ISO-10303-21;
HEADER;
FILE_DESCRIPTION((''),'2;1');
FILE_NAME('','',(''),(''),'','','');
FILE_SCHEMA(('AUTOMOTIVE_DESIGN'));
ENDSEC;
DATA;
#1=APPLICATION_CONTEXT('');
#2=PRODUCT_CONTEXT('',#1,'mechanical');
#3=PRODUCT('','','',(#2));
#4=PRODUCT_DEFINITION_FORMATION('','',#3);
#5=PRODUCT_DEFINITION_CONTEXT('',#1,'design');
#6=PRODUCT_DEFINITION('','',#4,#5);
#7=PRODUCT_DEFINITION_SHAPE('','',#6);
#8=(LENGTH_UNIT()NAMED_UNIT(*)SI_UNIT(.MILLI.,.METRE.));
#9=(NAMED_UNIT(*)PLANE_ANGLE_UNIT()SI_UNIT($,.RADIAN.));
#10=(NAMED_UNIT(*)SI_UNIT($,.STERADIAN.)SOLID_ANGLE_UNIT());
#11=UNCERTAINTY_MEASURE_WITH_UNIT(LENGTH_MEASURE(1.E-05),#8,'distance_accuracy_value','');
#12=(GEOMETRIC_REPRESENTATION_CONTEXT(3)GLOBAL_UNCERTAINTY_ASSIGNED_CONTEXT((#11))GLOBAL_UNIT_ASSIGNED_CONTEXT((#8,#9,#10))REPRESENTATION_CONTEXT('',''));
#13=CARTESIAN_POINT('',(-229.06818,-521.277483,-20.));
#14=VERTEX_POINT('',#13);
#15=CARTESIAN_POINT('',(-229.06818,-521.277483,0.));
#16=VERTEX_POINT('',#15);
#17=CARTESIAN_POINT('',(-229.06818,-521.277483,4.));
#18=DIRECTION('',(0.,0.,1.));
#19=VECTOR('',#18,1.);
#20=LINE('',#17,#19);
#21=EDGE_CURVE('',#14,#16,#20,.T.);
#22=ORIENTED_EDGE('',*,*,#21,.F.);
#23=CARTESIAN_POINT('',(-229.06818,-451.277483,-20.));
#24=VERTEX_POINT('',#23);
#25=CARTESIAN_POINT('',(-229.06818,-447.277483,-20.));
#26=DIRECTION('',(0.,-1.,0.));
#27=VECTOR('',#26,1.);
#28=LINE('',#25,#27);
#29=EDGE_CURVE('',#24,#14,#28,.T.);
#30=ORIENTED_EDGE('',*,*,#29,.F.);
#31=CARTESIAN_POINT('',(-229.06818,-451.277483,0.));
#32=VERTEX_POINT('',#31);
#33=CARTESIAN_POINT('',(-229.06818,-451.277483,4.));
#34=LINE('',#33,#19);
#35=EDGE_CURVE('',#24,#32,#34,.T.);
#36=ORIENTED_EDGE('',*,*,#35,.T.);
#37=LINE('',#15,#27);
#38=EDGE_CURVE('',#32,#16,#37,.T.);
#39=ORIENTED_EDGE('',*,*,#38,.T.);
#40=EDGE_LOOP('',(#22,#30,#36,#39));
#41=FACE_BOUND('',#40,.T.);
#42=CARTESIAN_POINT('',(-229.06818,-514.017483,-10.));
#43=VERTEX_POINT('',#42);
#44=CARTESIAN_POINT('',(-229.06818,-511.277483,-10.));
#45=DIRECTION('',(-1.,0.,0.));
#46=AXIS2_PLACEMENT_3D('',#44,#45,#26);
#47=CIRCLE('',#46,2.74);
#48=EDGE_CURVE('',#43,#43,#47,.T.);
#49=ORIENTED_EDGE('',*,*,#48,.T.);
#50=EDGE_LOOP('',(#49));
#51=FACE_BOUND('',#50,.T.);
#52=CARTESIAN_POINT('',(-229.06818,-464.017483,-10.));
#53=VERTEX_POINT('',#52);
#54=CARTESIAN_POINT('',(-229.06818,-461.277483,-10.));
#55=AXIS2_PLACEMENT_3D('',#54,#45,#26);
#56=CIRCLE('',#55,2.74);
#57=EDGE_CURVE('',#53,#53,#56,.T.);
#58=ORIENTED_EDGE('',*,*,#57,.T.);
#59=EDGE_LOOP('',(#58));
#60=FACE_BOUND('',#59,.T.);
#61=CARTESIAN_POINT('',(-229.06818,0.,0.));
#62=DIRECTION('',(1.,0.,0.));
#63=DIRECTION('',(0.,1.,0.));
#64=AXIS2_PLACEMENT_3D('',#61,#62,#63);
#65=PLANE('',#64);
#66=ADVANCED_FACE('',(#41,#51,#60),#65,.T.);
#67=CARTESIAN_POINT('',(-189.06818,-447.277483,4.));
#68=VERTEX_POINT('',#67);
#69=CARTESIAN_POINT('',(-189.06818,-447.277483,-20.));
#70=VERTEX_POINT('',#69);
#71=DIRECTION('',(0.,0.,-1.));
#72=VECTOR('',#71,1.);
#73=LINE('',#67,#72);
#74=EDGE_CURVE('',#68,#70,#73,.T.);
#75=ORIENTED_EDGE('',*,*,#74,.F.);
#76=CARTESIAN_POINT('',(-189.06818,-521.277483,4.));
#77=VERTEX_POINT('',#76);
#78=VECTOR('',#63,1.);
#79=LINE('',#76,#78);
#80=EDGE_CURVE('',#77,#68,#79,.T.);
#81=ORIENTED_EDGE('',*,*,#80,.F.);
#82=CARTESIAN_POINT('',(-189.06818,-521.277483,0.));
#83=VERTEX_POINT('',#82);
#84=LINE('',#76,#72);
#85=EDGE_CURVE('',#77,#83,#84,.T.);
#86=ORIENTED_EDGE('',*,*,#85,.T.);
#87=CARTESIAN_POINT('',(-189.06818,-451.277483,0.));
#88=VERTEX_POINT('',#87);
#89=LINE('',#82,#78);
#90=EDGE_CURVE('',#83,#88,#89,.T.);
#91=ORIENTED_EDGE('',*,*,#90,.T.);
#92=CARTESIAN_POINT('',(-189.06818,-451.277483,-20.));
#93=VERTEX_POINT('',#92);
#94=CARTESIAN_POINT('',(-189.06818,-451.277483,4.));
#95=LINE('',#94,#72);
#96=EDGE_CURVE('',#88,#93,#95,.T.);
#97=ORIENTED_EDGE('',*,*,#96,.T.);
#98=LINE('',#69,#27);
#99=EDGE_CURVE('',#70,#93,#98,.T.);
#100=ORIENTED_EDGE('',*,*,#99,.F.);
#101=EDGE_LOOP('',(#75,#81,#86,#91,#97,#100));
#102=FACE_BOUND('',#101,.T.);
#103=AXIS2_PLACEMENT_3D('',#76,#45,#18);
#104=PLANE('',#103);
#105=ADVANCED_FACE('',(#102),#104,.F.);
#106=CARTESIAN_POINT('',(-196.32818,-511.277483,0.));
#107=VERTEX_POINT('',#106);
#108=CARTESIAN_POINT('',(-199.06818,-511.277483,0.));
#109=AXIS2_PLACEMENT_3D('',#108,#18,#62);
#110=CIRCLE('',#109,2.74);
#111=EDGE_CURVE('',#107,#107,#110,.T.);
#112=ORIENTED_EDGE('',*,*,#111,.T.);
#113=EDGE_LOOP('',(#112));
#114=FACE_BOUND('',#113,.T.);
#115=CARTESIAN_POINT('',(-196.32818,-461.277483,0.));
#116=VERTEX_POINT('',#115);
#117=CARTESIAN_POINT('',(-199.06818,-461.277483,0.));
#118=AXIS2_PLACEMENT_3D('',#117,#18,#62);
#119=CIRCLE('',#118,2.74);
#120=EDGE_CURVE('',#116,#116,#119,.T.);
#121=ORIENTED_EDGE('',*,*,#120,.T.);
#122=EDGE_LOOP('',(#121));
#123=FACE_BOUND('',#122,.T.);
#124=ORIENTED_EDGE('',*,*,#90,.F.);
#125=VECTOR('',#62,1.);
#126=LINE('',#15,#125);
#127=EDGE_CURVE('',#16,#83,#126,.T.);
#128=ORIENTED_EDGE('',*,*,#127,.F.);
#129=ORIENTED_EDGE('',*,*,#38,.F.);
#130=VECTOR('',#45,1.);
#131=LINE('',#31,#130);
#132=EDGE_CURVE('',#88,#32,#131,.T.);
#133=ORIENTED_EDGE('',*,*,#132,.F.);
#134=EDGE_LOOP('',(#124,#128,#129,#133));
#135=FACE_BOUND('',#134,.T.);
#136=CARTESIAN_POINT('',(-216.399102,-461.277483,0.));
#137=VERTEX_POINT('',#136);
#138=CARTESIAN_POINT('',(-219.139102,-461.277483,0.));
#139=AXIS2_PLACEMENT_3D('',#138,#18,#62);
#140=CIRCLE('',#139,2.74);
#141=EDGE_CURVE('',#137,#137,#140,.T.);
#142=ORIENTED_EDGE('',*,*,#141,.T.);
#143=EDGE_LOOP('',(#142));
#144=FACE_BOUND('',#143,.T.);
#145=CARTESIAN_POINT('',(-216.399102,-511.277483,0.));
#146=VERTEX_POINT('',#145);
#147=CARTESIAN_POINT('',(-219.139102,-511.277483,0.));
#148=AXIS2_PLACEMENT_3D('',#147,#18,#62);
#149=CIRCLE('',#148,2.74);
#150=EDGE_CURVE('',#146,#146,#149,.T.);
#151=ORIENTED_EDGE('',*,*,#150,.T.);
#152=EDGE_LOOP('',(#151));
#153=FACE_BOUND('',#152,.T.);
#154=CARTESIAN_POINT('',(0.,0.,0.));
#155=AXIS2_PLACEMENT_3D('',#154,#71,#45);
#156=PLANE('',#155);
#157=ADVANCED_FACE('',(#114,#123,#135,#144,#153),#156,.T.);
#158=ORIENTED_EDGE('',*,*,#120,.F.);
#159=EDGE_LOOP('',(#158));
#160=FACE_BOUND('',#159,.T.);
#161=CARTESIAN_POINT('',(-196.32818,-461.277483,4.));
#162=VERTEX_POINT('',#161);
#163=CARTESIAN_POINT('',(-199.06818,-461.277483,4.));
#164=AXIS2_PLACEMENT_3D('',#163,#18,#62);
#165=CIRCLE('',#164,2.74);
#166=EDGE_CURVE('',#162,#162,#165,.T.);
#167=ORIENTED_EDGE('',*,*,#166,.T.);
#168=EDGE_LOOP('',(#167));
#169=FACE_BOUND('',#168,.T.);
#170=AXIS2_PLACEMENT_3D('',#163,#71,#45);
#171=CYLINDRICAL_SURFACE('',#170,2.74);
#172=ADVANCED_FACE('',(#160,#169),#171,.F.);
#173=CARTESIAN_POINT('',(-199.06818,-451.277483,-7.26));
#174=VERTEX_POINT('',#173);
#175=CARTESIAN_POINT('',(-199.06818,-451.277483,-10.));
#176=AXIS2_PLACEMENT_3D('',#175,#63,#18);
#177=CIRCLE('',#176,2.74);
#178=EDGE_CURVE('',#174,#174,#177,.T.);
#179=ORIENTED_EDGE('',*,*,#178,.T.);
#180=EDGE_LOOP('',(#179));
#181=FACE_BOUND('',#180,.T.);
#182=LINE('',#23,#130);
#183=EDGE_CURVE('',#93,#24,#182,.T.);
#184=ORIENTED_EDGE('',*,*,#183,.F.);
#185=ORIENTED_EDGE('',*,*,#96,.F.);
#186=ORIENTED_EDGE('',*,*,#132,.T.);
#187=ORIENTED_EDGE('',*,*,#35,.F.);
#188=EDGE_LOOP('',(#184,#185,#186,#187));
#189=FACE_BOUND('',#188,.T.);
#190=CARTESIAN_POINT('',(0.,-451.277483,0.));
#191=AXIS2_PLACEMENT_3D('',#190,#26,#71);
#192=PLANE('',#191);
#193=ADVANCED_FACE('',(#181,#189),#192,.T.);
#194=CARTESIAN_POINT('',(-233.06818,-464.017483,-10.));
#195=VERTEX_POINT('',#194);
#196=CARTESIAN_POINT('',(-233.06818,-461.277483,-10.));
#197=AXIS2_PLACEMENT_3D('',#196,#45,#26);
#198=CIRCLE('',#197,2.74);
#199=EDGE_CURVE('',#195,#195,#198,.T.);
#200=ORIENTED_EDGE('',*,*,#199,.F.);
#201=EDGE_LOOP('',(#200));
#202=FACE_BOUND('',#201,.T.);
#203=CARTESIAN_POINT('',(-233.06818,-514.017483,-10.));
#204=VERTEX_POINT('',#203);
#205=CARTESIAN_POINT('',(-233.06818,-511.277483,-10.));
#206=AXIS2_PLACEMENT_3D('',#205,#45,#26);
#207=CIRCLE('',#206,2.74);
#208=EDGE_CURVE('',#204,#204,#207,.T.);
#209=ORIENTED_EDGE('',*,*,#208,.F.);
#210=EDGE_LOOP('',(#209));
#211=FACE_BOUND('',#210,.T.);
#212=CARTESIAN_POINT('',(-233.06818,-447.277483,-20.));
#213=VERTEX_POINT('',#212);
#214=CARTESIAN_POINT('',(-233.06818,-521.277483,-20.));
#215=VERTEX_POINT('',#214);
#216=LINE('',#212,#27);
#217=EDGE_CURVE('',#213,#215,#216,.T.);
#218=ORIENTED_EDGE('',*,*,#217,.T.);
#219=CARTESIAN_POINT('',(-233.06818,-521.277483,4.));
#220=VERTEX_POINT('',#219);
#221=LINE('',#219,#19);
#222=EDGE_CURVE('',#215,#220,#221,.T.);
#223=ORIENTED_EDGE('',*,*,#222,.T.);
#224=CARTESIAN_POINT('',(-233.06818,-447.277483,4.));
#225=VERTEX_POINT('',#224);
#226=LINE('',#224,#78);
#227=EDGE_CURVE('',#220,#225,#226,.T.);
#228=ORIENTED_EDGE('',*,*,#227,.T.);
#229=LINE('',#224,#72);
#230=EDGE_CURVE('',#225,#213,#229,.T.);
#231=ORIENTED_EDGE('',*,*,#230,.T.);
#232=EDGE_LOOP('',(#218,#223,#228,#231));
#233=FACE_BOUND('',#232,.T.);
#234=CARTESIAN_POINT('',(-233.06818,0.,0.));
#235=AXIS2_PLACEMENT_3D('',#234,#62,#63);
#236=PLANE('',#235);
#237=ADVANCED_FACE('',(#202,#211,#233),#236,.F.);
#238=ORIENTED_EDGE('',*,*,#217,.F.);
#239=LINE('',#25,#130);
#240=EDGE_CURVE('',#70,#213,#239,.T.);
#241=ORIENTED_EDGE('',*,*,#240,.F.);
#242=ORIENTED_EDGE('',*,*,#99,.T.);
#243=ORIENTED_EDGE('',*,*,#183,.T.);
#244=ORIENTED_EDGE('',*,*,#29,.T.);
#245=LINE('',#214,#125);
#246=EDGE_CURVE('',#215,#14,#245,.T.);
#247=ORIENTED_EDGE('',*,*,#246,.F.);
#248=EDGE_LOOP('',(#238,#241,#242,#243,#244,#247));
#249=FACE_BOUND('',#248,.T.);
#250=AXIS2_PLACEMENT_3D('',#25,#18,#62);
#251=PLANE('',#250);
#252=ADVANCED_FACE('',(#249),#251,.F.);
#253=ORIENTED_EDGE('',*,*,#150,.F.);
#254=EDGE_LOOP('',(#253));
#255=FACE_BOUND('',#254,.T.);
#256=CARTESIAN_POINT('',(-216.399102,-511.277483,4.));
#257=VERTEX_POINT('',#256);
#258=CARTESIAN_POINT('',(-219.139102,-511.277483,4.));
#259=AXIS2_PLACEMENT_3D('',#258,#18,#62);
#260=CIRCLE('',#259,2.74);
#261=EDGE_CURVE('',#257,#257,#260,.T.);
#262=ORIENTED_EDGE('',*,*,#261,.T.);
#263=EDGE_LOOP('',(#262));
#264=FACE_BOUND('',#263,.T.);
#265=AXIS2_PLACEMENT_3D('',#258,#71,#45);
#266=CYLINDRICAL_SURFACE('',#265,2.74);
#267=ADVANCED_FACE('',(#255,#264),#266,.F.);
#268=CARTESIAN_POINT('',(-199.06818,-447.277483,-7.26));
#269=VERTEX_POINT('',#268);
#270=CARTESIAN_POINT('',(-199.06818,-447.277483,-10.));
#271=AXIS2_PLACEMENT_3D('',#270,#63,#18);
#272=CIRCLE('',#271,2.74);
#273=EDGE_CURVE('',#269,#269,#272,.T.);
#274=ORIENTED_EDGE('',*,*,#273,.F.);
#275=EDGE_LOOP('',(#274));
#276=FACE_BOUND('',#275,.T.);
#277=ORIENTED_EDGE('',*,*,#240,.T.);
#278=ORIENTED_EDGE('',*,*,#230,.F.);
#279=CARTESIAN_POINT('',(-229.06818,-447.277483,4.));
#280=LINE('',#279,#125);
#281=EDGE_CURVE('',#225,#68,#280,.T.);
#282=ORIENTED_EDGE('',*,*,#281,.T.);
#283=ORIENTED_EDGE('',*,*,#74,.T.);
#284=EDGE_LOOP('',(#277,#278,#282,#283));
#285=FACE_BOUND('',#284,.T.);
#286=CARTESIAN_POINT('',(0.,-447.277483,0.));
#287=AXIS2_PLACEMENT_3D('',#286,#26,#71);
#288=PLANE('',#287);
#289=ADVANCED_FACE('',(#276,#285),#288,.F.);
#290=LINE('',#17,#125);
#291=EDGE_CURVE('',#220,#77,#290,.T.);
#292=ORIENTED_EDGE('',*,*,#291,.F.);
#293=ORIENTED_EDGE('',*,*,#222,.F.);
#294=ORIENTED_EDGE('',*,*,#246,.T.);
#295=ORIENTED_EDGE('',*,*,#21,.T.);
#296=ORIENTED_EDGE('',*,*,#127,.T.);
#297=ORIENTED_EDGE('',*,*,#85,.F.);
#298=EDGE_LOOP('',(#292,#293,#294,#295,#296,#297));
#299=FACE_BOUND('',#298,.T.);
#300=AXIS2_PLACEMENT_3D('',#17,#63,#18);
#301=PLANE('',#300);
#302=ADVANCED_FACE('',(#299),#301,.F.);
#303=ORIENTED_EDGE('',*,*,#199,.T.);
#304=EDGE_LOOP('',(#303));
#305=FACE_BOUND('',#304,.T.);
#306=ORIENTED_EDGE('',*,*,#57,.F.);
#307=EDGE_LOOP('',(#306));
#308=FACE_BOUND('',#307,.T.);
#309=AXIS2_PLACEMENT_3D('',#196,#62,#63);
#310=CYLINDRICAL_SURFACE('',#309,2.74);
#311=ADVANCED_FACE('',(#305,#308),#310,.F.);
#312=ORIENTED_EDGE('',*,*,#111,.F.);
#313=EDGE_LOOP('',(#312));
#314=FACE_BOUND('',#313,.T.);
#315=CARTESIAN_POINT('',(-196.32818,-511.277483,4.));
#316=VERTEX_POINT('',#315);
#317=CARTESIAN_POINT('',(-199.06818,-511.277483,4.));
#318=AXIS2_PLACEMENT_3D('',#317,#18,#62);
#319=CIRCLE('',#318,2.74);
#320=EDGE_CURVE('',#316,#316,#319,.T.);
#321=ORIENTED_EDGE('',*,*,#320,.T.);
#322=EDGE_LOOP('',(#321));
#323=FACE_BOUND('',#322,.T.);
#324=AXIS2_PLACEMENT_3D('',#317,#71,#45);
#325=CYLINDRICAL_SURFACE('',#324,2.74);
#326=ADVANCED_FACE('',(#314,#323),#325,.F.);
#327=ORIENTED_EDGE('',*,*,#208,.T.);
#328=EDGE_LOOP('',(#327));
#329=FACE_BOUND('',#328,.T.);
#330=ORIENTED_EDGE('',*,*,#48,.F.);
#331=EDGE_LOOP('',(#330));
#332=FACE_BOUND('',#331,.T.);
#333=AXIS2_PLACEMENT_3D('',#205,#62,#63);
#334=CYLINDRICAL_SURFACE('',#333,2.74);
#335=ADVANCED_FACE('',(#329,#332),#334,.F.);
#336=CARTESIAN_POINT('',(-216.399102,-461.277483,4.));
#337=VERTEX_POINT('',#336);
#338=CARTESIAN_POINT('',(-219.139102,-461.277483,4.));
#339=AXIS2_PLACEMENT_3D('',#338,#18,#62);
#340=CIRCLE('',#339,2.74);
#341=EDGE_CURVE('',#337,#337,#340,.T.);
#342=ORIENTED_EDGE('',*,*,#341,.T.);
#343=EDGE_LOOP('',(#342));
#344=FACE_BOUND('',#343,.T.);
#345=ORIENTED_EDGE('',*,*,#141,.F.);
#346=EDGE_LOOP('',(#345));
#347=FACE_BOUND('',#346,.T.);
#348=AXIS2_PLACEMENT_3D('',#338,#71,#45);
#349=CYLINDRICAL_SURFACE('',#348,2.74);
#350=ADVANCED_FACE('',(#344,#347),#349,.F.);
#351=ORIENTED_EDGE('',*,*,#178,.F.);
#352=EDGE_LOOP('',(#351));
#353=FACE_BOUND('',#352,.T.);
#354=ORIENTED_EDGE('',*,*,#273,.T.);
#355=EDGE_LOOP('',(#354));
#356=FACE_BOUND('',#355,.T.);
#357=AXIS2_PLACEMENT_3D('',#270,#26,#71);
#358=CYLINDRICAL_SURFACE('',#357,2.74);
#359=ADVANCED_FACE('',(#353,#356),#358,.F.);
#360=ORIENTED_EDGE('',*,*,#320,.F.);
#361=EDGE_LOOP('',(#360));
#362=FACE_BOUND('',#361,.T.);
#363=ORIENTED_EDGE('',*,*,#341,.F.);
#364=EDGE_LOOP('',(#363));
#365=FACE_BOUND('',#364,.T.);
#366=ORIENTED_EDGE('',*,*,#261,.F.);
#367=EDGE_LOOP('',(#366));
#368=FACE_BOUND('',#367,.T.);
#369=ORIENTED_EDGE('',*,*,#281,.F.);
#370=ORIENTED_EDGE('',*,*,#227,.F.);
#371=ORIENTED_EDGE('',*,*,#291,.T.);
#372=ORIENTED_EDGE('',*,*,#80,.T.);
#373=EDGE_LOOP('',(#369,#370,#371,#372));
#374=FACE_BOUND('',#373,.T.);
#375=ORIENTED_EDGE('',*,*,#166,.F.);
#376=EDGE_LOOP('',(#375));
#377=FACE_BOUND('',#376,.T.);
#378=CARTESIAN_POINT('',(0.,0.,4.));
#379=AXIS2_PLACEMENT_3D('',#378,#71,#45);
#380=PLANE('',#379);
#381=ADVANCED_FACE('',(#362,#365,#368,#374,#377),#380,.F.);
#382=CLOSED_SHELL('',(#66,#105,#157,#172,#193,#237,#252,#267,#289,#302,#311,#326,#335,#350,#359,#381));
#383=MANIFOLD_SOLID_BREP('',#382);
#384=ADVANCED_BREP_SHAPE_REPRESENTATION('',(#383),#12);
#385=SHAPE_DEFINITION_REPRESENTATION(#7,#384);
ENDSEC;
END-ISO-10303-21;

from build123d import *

# Parameters (mm, degrees)
SKETCH1_W           = 40
SKETCH1_H           = 70
SKETCH1_R           = 2.74
BOSS_EXTRUDE1_DEPTH = 4
SKETCH2_W           = 40
SKETCH2_H           = 24
SKETCH2_R           = 2.74
BOSS_EXTRUDE2_DEPTH = 4
SKETCH3_W           = 24
SKETCH3_H           = 74
SKETCH3_R           = 2.74
BOSS_EXTRUDE3_DEPTH = 4


with BuildPart() as part:
    # Sketch1 → Boss-Extrude1 (new body)
    with BuildSketch(Plane.XY):
        with Locations((-209.068179547, -486.277483232)):
            Rectangle(SKETCH1_W, SKETCH1_H)
        with Locations((-199.068179547, -461.277483232)):
            Circle(SKETCH1_R, mode=Mode.SUBTRACT)
        with Locations((-219.139101533, -461.277483232)):
            Circle(SKETCH1_R, mode=Mode.SUBTRACT)
        with Locations((-219.139101533, -511.277483232)):
            Circle(SKETCH1_R, mode=Mode.SUBTRACT)
        with Locations((-199.068179547, -511.277483232)):
            Circle(SKETCH1_R, mode=Mode.SUBTRACT)
    extrude(amount=BOSS_EXTRUDE1_DEPTH)

    # Sketch2 → Boss-Extrude2 (add)
    with BuildSketch(Plane(origin=(0, -451.277483232, 0), x_dir=(1, 0, 0), z_dir=(0, 1, 0))):
        with Locations((-209.068179547, 8)):
            Rectangle(SKETCH2_W, SKETCH2_H)
        with Locations(Location((-199.068179547, 10, 0), (0, 0, 270))):
            Circle(SKETCH2_R, mode=Mode.SUBTRACT)
    extrude(amount=BOSS_EXTRUDE2_DEPTH)

    # Sketch3 → Boss-Extrude3 (add)
    with BuildSketch(Plane.ZY.offset(229.068179547)):
        with Locations((-8, -484.277483232)):
            Rectangle(SKETCH3_W, SKETCH3_H)
        with Locations(Location((-10, -461.277483232, 0), (0, 0, 270))):
            Circle(SKETCH3_R, mode=Mode.SUBTRACT)
        with Locations(Location((-10, -511.277483232, 0), (0, 0, 270))):
            Circle(SKETCH3_R, mode=Mode.SUBTRACT)
    extrude(amount=BOSS_EXTRUDE3_DEPTH)


solid = part.part
